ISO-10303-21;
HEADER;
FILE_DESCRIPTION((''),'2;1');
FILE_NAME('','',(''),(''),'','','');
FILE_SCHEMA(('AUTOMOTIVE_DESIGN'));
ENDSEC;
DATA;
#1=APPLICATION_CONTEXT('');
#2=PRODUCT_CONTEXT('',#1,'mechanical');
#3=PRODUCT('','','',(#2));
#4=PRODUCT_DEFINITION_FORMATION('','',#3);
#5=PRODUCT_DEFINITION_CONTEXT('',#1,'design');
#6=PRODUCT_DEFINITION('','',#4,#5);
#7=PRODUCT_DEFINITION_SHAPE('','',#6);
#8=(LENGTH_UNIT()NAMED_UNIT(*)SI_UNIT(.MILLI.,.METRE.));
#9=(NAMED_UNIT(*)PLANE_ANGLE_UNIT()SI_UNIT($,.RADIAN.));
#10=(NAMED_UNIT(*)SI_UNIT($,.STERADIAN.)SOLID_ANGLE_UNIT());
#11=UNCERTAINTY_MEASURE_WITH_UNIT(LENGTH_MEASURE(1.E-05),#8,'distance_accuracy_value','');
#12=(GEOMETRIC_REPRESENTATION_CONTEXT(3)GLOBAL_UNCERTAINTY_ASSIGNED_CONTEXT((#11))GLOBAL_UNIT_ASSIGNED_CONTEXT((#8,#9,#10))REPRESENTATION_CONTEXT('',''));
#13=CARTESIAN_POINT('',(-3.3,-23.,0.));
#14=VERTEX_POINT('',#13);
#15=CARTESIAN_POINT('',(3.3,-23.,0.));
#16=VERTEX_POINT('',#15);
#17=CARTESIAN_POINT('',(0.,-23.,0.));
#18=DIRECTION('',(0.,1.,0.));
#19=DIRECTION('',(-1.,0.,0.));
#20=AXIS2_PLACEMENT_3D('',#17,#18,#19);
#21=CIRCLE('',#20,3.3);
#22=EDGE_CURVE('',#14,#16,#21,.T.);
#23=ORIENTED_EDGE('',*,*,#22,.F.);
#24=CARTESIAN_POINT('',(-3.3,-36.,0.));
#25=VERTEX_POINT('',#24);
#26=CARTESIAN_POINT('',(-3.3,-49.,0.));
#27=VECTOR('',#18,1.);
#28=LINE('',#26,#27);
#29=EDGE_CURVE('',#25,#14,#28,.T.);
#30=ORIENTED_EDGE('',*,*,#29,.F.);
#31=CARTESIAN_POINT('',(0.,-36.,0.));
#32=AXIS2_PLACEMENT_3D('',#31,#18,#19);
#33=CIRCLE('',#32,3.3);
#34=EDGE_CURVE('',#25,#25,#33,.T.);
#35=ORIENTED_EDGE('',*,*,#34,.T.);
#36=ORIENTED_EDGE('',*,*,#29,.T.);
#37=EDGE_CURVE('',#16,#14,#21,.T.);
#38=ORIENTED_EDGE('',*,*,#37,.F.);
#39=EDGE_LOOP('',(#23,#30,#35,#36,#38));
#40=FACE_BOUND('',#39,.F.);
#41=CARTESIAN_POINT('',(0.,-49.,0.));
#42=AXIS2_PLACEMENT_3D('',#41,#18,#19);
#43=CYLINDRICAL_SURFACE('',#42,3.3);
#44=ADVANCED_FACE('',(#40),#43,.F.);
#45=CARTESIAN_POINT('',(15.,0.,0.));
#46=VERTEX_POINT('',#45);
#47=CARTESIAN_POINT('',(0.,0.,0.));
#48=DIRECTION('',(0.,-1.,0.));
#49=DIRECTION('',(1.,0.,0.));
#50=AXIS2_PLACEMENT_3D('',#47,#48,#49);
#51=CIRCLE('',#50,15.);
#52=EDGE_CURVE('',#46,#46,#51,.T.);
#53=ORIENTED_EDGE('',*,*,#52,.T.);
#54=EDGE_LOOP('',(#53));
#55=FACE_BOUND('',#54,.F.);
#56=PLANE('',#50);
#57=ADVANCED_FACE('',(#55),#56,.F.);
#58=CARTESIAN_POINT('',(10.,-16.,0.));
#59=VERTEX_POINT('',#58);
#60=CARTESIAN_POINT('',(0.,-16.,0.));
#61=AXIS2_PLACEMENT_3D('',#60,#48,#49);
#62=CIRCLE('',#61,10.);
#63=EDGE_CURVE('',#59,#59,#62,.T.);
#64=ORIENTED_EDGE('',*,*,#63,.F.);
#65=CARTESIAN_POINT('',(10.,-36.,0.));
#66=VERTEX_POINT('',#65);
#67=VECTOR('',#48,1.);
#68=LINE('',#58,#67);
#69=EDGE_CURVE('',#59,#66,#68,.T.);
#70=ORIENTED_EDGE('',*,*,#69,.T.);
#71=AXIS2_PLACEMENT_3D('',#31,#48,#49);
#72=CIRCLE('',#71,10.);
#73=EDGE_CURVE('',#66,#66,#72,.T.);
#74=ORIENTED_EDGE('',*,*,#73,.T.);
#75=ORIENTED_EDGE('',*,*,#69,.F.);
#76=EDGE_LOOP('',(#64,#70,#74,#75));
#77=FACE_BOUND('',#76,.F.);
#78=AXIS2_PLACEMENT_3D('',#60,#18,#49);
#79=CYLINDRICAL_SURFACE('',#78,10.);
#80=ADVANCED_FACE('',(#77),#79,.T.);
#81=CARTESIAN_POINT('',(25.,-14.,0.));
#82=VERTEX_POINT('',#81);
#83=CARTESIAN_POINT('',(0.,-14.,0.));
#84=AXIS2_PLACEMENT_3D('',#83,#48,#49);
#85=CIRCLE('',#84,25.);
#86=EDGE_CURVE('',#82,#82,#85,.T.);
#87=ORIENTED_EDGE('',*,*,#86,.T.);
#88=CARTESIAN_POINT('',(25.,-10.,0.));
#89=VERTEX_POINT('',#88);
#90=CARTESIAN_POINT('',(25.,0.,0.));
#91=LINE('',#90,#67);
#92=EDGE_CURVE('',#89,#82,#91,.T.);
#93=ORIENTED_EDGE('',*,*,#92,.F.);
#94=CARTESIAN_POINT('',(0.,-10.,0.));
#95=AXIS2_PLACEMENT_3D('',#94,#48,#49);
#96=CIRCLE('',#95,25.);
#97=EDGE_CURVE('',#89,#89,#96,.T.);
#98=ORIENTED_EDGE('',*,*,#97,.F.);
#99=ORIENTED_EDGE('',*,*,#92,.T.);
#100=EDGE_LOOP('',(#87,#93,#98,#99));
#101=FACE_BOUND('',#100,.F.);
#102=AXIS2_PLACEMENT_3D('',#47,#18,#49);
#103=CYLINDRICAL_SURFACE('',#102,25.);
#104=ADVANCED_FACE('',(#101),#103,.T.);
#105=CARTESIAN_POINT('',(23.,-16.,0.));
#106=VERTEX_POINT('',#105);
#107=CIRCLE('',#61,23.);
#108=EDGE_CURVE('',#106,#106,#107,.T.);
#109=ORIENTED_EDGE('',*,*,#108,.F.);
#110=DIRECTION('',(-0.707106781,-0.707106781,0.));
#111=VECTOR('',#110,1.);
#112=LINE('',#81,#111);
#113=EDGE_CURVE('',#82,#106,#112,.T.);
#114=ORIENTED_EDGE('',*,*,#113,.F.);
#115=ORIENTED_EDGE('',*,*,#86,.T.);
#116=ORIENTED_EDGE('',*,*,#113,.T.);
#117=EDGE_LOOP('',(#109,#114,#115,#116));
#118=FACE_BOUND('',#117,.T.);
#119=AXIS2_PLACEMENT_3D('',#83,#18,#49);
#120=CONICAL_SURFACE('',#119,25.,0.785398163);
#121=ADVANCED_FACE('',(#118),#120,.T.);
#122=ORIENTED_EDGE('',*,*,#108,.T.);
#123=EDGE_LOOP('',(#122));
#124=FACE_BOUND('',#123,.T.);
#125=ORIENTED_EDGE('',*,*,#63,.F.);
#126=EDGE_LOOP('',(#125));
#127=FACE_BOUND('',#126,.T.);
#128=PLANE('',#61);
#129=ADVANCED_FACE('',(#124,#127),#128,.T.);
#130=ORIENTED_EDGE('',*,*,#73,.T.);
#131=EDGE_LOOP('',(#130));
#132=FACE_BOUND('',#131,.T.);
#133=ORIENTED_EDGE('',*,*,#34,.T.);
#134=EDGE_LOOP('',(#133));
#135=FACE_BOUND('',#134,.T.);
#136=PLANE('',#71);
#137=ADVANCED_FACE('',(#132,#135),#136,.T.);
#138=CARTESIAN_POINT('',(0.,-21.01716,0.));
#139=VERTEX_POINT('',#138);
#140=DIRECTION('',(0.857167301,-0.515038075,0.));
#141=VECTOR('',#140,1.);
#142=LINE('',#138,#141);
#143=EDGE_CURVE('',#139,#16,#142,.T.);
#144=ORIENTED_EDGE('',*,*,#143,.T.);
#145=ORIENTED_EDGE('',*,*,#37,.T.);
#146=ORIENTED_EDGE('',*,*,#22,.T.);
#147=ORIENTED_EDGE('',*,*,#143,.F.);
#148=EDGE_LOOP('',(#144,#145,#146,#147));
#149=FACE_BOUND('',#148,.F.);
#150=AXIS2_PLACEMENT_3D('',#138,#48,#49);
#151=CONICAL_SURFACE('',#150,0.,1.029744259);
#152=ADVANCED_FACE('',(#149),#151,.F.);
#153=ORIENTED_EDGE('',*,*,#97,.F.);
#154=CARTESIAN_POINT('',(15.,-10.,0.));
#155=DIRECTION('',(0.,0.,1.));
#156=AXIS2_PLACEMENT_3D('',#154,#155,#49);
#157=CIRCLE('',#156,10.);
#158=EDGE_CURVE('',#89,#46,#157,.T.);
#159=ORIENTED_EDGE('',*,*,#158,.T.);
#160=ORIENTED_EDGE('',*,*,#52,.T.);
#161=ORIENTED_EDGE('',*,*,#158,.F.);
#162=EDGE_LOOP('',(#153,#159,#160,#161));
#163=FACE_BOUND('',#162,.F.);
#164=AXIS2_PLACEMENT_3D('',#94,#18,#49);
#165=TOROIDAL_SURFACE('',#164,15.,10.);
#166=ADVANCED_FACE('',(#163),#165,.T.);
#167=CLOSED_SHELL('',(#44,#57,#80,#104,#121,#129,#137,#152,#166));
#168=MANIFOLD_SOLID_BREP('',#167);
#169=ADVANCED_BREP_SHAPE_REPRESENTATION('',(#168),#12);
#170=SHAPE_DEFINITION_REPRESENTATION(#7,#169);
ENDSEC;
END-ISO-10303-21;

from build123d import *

# Parameters (mm, degrees)
F0_R     = 25
F1_DEPTH = 16
F2_R     = 10
F3_DEPTH = 20
F4_R     = 10
F5_SIZE  = 2
F7_D     = 6.6
F7_DEPTH = 13
F7_TIP   = 1.9828400428


with BuildPart() as f1:
    # F0 (on Front) → F1 (new body)
    with BuildSketch(Plane.XZ):
        Circle(F0_R)
    extrude(amount=F1_DEPTH)

    # F2 (on face) → F3 (join)
    with BuildSketch(Plane.XZ.offset(16)):
        Circle(F2_R)
    extrude(amount=F3_DEPTH)

    # F4
    f4_edges = [f1.edges().sort_by_distance(p)[0] for p in [
        (-25, 0, 0),
    ]]
    fillet(f4_edges, radius=F4_R)

    # F5
    f5_edges = [f1.edges().sort_by_distance(p)[0] for p in [
        (-25, -16, 0),
    ]]
    chamfer(f5_edges, length=F5_SIZE)

    # F7
    with Locations(Plane.XZ.offset(36)):
        with Locations((0, 0)):
            Hole(F7_D / 2, depth=F7_DEPTH)
            with Locations((0, 0, -(F7_DEPTH + F7_TIP / 2))):  # 118° drill point
                Cone(0, F7_D / 2, F7_TIP, mode=Mode.SUBTRACT)


solid = f1.part
